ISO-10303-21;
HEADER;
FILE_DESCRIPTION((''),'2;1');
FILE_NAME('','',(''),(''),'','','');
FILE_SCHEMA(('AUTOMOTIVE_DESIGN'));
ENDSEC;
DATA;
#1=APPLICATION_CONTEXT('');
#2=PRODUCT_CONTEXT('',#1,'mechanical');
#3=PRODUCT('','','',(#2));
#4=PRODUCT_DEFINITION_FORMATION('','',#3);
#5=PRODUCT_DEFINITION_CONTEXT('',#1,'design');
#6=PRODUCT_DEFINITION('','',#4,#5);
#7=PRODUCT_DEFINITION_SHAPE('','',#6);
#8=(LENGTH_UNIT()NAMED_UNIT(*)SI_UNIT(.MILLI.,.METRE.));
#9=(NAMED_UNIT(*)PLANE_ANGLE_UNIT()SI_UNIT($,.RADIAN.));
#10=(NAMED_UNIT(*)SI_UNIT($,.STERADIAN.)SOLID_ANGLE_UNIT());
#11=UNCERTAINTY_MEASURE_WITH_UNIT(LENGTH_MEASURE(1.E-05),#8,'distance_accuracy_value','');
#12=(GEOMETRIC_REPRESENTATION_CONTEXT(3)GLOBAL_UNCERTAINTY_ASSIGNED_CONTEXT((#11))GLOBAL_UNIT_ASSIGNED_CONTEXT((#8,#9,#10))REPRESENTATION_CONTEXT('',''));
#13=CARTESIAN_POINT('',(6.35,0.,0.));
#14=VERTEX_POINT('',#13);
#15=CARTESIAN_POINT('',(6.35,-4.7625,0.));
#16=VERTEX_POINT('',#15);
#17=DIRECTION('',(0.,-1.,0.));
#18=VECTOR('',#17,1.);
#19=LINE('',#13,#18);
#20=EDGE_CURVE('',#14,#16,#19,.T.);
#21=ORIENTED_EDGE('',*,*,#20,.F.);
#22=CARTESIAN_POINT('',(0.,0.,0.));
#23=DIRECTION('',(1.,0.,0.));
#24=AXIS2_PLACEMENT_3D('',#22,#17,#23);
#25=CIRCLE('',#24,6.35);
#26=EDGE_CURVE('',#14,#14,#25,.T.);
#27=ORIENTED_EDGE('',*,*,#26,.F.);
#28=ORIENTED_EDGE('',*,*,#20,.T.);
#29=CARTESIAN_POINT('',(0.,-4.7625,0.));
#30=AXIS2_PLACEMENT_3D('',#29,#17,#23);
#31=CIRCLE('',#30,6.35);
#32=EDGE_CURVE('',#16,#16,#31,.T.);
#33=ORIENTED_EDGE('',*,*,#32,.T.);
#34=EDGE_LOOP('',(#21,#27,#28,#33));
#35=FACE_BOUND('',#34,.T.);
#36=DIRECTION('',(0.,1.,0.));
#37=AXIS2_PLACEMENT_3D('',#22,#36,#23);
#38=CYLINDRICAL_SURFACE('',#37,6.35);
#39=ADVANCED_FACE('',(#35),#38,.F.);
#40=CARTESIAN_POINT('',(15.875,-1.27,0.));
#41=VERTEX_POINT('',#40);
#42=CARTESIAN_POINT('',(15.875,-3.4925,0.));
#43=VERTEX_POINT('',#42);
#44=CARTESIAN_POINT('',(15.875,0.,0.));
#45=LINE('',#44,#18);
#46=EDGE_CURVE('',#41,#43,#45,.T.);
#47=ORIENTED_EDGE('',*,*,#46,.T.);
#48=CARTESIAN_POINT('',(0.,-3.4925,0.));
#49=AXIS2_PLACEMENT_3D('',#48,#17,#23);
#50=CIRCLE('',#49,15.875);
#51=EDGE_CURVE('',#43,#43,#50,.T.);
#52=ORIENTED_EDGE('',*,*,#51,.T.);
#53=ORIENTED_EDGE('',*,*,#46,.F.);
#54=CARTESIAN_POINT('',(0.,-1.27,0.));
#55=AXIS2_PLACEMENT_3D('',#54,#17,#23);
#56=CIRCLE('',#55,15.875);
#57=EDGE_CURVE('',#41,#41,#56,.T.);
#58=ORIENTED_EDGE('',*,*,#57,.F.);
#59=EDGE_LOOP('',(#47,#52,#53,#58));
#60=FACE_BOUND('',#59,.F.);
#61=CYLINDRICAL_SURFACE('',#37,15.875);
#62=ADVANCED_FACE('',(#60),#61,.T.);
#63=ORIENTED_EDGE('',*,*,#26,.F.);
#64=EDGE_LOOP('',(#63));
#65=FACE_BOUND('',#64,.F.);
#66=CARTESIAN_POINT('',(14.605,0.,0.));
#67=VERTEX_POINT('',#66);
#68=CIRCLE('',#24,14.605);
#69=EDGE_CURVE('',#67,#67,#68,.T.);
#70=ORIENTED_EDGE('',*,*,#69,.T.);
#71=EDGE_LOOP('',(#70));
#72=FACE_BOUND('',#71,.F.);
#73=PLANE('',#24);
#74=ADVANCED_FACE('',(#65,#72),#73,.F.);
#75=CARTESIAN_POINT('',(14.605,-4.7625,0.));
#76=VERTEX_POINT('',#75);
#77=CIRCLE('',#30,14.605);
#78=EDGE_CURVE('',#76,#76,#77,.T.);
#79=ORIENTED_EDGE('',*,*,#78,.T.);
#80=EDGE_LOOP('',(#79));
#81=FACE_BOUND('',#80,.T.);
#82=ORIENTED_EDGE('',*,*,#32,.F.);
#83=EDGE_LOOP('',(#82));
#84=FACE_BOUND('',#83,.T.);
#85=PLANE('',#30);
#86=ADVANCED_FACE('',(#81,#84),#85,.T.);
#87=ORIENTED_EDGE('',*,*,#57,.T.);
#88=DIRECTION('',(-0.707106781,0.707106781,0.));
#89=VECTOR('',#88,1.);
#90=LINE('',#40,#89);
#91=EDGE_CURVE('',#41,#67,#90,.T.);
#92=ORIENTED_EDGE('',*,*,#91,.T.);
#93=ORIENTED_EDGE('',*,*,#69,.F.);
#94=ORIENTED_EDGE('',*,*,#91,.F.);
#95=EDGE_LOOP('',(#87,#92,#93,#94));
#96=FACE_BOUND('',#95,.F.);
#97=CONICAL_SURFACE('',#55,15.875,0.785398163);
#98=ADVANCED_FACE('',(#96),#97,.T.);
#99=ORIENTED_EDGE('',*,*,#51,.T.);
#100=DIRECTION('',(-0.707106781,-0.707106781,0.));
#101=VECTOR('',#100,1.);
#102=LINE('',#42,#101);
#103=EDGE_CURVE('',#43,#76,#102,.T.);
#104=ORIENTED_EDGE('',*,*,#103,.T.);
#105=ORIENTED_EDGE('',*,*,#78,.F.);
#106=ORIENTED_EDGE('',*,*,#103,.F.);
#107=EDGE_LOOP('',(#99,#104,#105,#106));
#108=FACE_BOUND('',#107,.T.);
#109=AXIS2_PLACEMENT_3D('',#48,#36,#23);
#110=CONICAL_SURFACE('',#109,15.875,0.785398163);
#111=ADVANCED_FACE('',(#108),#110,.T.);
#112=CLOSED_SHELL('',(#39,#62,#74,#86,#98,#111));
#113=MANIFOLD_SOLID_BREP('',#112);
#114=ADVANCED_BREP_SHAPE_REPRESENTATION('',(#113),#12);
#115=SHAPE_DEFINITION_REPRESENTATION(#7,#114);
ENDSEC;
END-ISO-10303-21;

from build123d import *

# Parameters (mm, degrees)
F0_R     = 15.875
F0_R_2   = 6.35
F1_DEPTH = 4.7625
F2_SIZE  = 1.27


with BuildPart() as f1:
    # F0 (on Front) → F1 (new body)
    with BuildSketch(Plane.XZ):
        Circle(F0_R)
        Circle(F0_R_2, mode=Mode.SUBTRACT)
    extrude(amount=F1_DEPTH)

    # F2
    f2_edges = [f1.edges().sort_by_distance(p)[0] for p in [
        (-15.875, -4.7625, 0),
        (-15.875, 0, 0),
    ]]
    chamfer(f2_edges, length=F2_SIZE)


solid = f1.part
